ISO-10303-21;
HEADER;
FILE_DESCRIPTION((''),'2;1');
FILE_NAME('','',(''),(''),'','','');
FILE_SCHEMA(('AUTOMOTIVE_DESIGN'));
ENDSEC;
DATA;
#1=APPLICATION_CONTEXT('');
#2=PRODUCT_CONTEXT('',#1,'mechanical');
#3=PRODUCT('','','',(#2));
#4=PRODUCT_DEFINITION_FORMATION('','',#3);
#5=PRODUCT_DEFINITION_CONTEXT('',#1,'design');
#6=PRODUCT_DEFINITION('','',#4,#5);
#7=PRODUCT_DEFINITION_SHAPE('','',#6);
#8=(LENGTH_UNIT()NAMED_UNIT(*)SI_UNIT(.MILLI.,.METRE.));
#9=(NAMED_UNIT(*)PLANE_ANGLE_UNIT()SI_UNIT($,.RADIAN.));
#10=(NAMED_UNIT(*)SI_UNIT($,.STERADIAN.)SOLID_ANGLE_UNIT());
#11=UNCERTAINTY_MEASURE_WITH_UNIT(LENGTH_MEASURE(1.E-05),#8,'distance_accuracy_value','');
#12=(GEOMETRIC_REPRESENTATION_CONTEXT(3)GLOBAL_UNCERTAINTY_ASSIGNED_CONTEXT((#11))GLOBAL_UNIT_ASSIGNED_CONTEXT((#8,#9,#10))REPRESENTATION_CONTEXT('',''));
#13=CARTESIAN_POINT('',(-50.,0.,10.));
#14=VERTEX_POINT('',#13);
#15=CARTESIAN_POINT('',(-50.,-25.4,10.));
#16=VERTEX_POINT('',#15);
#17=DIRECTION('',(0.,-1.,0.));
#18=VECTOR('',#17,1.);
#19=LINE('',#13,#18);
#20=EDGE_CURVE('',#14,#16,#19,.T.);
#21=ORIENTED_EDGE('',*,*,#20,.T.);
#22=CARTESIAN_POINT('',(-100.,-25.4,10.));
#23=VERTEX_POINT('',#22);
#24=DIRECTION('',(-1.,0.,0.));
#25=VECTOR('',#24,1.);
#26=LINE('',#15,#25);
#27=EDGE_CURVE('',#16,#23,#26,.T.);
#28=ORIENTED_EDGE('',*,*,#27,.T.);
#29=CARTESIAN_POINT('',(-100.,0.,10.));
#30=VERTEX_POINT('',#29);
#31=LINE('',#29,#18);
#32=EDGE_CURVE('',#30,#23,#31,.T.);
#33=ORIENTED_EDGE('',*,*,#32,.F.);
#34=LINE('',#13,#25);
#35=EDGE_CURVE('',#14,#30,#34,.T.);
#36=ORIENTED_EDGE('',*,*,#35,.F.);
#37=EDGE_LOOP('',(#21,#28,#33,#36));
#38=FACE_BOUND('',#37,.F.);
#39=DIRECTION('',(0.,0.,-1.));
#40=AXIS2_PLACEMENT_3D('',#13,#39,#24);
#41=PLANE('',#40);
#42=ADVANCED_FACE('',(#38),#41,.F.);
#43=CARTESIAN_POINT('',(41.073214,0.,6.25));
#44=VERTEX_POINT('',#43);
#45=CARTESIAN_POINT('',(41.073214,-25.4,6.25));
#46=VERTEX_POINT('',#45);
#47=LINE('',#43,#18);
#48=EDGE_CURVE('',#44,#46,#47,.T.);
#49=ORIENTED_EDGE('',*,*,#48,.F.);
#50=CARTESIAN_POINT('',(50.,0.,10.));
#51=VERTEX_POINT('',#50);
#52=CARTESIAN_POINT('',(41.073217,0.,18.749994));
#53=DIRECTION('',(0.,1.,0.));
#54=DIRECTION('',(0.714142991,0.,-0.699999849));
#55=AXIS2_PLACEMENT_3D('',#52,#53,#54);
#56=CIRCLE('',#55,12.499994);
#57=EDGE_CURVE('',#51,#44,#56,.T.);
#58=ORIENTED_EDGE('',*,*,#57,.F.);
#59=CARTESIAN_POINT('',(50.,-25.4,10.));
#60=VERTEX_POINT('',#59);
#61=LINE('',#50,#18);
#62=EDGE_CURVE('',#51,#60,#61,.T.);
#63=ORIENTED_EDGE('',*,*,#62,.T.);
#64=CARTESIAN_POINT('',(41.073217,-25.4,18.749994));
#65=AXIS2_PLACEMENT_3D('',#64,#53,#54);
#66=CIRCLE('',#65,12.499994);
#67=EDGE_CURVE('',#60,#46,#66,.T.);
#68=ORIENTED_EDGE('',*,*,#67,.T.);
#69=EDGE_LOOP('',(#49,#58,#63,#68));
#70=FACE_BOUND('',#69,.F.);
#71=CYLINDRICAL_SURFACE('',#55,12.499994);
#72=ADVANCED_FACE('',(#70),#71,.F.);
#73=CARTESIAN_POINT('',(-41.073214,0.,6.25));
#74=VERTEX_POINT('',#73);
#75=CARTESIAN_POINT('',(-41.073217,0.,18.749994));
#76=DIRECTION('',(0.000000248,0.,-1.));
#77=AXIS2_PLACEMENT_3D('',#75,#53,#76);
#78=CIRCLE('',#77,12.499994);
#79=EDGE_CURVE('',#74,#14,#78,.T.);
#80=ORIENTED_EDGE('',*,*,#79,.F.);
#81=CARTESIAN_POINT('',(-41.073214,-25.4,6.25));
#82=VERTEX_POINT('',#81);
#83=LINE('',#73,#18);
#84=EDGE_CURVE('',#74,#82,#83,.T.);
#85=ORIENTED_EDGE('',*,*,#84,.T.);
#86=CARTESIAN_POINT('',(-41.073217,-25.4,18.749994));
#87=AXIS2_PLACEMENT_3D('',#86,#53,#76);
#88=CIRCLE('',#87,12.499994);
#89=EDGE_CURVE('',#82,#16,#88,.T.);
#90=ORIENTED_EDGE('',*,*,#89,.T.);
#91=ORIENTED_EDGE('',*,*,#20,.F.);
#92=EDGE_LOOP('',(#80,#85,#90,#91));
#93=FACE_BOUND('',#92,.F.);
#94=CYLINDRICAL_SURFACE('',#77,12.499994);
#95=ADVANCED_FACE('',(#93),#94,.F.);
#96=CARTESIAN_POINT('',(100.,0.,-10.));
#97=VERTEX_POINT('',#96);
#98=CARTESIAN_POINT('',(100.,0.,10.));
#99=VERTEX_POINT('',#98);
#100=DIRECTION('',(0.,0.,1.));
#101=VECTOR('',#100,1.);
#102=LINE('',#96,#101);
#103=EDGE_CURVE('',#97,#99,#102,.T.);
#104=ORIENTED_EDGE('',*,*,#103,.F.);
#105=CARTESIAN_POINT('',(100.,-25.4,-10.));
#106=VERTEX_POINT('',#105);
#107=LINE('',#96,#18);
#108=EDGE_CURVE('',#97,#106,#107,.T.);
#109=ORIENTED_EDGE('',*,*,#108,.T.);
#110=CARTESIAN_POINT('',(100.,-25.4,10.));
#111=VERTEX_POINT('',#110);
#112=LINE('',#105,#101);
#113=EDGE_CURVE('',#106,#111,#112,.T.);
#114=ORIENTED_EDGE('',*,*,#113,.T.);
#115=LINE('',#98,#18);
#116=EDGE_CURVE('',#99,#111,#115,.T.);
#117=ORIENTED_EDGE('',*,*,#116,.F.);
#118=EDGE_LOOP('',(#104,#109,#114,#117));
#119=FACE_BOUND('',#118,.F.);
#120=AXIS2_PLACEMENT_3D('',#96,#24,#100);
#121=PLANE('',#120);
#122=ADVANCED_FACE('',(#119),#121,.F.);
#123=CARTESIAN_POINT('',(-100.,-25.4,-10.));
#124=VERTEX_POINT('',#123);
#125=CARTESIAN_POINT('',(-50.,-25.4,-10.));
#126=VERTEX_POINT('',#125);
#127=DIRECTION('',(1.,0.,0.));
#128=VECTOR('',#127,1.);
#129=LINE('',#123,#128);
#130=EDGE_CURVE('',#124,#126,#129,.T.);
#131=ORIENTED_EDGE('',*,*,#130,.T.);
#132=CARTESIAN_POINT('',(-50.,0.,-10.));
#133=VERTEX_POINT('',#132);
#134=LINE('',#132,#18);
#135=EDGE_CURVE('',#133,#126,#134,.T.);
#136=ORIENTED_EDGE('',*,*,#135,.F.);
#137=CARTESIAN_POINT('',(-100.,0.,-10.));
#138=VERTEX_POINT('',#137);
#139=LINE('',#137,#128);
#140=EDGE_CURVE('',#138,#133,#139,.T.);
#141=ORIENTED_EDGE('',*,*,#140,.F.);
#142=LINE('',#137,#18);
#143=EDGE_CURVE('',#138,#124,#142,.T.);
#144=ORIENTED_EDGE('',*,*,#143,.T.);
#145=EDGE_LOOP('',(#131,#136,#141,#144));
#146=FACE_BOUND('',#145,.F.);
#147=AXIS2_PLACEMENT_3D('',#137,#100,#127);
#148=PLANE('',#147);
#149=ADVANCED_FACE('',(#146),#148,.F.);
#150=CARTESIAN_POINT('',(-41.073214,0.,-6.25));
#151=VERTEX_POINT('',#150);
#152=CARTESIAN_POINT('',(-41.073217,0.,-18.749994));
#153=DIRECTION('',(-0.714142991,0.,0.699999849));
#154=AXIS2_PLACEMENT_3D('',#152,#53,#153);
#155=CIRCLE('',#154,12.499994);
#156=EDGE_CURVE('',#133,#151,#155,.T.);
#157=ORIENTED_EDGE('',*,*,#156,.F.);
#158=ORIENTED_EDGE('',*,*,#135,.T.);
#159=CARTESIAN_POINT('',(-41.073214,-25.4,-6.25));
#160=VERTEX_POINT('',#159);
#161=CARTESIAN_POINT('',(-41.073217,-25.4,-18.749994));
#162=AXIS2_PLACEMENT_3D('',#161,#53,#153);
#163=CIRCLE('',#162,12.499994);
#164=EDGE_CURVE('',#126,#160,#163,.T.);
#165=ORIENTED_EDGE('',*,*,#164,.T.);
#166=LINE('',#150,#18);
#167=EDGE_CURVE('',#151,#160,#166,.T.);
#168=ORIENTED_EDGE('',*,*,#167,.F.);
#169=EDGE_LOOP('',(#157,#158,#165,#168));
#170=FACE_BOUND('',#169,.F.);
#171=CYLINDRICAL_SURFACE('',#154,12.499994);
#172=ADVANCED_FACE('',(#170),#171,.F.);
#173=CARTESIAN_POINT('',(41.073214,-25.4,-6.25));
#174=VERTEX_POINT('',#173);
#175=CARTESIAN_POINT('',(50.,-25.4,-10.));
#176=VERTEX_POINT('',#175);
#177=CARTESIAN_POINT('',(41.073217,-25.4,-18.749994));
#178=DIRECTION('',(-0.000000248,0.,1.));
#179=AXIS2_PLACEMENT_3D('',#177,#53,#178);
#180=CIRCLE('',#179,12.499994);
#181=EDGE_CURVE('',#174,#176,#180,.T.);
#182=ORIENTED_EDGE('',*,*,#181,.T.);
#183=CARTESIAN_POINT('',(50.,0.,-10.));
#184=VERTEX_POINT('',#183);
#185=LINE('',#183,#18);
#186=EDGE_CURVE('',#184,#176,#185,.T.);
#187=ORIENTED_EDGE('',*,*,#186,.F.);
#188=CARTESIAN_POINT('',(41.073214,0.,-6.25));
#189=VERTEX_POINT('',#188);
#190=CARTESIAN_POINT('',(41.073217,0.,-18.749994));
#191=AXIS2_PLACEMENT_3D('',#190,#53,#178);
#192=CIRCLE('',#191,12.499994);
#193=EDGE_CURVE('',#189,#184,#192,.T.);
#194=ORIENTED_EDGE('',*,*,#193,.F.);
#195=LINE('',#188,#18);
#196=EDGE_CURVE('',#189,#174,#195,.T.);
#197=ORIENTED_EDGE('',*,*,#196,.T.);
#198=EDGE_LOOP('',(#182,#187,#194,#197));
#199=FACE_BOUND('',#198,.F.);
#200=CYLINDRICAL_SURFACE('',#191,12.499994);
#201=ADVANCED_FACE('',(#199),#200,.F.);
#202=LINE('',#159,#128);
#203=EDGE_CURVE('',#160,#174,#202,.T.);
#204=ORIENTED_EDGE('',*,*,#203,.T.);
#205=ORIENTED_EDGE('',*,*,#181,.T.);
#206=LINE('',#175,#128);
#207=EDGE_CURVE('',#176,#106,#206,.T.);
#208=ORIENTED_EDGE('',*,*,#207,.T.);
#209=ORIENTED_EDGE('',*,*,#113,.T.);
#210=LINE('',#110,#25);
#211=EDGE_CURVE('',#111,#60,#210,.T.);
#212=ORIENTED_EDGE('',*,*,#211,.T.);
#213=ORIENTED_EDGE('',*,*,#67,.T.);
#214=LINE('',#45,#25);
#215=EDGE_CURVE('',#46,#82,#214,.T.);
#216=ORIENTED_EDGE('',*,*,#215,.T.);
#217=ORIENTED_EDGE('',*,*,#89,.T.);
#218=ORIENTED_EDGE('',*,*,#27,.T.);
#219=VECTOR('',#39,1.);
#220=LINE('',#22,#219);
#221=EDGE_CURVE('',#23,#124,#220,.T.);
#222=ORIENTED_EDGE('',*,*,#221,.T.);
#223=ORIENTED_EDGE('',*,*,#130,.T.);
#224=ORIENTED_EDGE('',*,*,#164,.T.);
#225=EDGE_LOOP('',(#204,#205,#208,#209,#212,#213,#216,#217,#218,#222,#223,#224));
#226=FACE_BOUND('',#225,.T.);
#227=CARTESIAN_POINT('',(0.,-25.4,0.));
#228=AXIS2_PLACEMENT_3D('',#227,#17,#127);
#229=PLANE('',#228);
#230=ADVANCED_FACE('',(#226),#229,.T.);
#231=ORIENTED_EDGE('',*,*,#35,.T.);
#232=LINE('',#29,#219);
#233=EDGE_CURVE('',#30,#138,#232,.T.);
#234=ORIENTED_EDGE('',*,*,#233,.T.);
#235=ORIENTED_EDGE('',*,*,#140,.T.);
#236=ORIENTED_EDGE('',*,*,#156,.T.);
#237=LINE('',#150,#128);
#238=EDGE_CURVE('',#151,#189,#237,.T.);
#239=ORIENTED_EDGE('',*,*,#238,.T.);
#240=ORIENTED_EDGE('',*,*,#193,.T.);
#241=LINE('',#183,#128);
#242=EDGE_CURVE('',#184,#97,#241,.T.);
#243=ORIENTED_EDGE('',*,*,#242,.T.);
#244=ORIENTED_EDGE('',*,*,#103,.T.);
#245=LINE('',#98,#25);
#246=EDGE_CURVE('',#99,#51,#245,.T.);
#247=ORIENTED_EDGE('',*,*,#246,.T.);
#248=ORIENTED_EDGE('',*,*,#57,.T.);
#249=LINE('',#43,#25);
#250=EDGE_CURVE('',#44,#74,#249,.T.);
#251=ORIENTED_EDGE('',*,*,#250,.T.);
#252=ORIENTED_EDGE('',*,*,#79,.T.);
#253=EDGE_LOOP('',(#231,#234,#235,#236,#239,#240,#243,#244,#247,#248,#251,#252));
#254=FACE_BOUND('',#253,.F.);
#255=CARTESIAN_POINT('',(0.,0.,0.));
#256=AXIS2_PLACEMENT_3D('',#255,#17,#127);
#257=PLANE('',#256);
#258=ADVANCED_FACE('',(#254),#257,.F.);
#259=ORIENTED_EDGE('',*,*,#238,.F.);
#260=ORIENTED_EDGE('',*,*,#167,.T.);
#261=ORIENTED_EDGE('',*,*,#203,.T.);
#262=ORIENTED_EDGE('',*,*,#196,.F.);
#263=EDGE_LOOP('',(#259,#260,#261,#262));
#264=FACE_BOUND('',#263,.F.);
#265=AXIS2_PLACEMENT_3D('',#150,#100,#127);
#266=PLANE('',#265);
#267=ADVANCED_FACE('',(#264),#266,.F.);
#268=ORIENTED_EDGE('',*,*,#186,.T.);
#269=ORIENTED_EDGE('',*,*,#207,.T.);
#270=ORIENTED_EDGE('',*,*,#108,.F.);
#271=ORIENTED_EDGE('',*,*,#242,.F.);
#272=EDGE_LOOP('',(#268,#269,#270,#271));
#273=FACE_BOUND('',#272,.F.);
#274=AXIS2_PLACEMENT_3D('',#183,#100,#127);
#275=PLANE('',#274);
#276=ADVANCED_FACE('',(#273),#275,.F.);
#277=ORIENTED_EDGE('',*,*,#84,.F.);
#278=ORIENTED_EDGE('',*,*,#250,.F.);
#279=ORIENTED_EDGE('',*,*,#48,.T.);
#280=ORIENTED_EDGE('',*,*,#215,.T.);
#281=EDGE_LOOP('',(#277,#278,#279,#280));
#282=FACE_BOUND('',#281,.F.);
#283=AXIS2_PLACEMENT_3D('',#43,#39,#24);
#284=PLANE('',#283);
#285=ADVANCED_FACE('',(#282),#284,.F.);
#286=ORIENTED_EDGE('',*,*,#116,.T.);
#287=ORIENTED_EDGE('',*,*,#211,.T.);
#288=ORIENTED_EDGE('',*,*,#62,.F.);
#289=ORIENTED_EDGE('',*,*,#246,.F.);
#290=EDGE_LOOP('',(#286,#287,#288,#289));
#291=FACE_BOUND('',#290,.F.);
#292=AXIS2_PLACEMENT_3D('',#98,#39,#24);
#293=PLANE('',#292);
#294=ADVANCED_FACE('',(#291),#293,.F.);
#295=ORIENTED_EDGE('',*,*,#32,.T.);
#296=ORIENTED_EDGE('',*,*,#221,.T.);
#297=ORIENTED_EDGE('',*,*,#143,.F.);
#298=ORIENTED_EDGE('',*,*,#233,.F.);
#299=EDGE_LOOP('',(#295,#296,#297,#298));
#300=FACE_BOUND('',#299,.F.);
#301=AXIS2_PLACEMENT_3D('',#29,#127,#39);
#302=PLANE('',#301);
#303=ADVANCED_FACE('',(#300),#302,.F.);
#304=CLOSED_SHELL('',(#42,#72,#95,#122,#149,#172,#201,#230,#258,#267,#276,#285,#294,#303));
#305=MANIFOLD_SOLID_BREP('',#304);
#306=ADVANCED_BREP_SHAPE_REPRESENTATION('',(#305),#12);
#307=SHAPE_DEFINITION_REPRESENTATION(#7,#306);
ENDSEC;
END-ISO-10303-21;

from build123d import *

# Parameters (mm, degrees)
F1_DEPTH = 25.4


with BuildPart() as f1:
    # F0 (on Front) → F1 (new body)
    with BuildSketch(Plane.XZ):
        with BuildLine():
            Line((41.073214, 6.25), (0, 6.25))
            Line((0, 6.25), (-41.073214, 6.25))
            ThreePointArc((-41.073214, 6.25), (-45.914444, 7.225569), (-50, 10))
            Line((-50, 10), (-100, 10))
            Line((-100, 10), (-100, -10))
            Line((-100, -10), (-50, -10))
            ThreePointArc((-50, -10), (-45.914444, -7.225569), (-41.073214, -6.25))
            Line((-41.073214, -6.25), (0, -6.25))
            Line((0, -6.25), (41.073214, -6.25))
            ThreePointArc((41.073214, -6.25), (45.914444, -7.225569), (50, -10))
            Line((50, -10), (100, -10))
            Line((100, -10), (100, 10))
            Line((100, 10), (50, 10))
            ThreePointArc((50, 10), (45.914444, 7.225569), (41.073214, 6.25))
        make_face()
    extrude(amount=F1_DEPTH)


solid = f1.part
